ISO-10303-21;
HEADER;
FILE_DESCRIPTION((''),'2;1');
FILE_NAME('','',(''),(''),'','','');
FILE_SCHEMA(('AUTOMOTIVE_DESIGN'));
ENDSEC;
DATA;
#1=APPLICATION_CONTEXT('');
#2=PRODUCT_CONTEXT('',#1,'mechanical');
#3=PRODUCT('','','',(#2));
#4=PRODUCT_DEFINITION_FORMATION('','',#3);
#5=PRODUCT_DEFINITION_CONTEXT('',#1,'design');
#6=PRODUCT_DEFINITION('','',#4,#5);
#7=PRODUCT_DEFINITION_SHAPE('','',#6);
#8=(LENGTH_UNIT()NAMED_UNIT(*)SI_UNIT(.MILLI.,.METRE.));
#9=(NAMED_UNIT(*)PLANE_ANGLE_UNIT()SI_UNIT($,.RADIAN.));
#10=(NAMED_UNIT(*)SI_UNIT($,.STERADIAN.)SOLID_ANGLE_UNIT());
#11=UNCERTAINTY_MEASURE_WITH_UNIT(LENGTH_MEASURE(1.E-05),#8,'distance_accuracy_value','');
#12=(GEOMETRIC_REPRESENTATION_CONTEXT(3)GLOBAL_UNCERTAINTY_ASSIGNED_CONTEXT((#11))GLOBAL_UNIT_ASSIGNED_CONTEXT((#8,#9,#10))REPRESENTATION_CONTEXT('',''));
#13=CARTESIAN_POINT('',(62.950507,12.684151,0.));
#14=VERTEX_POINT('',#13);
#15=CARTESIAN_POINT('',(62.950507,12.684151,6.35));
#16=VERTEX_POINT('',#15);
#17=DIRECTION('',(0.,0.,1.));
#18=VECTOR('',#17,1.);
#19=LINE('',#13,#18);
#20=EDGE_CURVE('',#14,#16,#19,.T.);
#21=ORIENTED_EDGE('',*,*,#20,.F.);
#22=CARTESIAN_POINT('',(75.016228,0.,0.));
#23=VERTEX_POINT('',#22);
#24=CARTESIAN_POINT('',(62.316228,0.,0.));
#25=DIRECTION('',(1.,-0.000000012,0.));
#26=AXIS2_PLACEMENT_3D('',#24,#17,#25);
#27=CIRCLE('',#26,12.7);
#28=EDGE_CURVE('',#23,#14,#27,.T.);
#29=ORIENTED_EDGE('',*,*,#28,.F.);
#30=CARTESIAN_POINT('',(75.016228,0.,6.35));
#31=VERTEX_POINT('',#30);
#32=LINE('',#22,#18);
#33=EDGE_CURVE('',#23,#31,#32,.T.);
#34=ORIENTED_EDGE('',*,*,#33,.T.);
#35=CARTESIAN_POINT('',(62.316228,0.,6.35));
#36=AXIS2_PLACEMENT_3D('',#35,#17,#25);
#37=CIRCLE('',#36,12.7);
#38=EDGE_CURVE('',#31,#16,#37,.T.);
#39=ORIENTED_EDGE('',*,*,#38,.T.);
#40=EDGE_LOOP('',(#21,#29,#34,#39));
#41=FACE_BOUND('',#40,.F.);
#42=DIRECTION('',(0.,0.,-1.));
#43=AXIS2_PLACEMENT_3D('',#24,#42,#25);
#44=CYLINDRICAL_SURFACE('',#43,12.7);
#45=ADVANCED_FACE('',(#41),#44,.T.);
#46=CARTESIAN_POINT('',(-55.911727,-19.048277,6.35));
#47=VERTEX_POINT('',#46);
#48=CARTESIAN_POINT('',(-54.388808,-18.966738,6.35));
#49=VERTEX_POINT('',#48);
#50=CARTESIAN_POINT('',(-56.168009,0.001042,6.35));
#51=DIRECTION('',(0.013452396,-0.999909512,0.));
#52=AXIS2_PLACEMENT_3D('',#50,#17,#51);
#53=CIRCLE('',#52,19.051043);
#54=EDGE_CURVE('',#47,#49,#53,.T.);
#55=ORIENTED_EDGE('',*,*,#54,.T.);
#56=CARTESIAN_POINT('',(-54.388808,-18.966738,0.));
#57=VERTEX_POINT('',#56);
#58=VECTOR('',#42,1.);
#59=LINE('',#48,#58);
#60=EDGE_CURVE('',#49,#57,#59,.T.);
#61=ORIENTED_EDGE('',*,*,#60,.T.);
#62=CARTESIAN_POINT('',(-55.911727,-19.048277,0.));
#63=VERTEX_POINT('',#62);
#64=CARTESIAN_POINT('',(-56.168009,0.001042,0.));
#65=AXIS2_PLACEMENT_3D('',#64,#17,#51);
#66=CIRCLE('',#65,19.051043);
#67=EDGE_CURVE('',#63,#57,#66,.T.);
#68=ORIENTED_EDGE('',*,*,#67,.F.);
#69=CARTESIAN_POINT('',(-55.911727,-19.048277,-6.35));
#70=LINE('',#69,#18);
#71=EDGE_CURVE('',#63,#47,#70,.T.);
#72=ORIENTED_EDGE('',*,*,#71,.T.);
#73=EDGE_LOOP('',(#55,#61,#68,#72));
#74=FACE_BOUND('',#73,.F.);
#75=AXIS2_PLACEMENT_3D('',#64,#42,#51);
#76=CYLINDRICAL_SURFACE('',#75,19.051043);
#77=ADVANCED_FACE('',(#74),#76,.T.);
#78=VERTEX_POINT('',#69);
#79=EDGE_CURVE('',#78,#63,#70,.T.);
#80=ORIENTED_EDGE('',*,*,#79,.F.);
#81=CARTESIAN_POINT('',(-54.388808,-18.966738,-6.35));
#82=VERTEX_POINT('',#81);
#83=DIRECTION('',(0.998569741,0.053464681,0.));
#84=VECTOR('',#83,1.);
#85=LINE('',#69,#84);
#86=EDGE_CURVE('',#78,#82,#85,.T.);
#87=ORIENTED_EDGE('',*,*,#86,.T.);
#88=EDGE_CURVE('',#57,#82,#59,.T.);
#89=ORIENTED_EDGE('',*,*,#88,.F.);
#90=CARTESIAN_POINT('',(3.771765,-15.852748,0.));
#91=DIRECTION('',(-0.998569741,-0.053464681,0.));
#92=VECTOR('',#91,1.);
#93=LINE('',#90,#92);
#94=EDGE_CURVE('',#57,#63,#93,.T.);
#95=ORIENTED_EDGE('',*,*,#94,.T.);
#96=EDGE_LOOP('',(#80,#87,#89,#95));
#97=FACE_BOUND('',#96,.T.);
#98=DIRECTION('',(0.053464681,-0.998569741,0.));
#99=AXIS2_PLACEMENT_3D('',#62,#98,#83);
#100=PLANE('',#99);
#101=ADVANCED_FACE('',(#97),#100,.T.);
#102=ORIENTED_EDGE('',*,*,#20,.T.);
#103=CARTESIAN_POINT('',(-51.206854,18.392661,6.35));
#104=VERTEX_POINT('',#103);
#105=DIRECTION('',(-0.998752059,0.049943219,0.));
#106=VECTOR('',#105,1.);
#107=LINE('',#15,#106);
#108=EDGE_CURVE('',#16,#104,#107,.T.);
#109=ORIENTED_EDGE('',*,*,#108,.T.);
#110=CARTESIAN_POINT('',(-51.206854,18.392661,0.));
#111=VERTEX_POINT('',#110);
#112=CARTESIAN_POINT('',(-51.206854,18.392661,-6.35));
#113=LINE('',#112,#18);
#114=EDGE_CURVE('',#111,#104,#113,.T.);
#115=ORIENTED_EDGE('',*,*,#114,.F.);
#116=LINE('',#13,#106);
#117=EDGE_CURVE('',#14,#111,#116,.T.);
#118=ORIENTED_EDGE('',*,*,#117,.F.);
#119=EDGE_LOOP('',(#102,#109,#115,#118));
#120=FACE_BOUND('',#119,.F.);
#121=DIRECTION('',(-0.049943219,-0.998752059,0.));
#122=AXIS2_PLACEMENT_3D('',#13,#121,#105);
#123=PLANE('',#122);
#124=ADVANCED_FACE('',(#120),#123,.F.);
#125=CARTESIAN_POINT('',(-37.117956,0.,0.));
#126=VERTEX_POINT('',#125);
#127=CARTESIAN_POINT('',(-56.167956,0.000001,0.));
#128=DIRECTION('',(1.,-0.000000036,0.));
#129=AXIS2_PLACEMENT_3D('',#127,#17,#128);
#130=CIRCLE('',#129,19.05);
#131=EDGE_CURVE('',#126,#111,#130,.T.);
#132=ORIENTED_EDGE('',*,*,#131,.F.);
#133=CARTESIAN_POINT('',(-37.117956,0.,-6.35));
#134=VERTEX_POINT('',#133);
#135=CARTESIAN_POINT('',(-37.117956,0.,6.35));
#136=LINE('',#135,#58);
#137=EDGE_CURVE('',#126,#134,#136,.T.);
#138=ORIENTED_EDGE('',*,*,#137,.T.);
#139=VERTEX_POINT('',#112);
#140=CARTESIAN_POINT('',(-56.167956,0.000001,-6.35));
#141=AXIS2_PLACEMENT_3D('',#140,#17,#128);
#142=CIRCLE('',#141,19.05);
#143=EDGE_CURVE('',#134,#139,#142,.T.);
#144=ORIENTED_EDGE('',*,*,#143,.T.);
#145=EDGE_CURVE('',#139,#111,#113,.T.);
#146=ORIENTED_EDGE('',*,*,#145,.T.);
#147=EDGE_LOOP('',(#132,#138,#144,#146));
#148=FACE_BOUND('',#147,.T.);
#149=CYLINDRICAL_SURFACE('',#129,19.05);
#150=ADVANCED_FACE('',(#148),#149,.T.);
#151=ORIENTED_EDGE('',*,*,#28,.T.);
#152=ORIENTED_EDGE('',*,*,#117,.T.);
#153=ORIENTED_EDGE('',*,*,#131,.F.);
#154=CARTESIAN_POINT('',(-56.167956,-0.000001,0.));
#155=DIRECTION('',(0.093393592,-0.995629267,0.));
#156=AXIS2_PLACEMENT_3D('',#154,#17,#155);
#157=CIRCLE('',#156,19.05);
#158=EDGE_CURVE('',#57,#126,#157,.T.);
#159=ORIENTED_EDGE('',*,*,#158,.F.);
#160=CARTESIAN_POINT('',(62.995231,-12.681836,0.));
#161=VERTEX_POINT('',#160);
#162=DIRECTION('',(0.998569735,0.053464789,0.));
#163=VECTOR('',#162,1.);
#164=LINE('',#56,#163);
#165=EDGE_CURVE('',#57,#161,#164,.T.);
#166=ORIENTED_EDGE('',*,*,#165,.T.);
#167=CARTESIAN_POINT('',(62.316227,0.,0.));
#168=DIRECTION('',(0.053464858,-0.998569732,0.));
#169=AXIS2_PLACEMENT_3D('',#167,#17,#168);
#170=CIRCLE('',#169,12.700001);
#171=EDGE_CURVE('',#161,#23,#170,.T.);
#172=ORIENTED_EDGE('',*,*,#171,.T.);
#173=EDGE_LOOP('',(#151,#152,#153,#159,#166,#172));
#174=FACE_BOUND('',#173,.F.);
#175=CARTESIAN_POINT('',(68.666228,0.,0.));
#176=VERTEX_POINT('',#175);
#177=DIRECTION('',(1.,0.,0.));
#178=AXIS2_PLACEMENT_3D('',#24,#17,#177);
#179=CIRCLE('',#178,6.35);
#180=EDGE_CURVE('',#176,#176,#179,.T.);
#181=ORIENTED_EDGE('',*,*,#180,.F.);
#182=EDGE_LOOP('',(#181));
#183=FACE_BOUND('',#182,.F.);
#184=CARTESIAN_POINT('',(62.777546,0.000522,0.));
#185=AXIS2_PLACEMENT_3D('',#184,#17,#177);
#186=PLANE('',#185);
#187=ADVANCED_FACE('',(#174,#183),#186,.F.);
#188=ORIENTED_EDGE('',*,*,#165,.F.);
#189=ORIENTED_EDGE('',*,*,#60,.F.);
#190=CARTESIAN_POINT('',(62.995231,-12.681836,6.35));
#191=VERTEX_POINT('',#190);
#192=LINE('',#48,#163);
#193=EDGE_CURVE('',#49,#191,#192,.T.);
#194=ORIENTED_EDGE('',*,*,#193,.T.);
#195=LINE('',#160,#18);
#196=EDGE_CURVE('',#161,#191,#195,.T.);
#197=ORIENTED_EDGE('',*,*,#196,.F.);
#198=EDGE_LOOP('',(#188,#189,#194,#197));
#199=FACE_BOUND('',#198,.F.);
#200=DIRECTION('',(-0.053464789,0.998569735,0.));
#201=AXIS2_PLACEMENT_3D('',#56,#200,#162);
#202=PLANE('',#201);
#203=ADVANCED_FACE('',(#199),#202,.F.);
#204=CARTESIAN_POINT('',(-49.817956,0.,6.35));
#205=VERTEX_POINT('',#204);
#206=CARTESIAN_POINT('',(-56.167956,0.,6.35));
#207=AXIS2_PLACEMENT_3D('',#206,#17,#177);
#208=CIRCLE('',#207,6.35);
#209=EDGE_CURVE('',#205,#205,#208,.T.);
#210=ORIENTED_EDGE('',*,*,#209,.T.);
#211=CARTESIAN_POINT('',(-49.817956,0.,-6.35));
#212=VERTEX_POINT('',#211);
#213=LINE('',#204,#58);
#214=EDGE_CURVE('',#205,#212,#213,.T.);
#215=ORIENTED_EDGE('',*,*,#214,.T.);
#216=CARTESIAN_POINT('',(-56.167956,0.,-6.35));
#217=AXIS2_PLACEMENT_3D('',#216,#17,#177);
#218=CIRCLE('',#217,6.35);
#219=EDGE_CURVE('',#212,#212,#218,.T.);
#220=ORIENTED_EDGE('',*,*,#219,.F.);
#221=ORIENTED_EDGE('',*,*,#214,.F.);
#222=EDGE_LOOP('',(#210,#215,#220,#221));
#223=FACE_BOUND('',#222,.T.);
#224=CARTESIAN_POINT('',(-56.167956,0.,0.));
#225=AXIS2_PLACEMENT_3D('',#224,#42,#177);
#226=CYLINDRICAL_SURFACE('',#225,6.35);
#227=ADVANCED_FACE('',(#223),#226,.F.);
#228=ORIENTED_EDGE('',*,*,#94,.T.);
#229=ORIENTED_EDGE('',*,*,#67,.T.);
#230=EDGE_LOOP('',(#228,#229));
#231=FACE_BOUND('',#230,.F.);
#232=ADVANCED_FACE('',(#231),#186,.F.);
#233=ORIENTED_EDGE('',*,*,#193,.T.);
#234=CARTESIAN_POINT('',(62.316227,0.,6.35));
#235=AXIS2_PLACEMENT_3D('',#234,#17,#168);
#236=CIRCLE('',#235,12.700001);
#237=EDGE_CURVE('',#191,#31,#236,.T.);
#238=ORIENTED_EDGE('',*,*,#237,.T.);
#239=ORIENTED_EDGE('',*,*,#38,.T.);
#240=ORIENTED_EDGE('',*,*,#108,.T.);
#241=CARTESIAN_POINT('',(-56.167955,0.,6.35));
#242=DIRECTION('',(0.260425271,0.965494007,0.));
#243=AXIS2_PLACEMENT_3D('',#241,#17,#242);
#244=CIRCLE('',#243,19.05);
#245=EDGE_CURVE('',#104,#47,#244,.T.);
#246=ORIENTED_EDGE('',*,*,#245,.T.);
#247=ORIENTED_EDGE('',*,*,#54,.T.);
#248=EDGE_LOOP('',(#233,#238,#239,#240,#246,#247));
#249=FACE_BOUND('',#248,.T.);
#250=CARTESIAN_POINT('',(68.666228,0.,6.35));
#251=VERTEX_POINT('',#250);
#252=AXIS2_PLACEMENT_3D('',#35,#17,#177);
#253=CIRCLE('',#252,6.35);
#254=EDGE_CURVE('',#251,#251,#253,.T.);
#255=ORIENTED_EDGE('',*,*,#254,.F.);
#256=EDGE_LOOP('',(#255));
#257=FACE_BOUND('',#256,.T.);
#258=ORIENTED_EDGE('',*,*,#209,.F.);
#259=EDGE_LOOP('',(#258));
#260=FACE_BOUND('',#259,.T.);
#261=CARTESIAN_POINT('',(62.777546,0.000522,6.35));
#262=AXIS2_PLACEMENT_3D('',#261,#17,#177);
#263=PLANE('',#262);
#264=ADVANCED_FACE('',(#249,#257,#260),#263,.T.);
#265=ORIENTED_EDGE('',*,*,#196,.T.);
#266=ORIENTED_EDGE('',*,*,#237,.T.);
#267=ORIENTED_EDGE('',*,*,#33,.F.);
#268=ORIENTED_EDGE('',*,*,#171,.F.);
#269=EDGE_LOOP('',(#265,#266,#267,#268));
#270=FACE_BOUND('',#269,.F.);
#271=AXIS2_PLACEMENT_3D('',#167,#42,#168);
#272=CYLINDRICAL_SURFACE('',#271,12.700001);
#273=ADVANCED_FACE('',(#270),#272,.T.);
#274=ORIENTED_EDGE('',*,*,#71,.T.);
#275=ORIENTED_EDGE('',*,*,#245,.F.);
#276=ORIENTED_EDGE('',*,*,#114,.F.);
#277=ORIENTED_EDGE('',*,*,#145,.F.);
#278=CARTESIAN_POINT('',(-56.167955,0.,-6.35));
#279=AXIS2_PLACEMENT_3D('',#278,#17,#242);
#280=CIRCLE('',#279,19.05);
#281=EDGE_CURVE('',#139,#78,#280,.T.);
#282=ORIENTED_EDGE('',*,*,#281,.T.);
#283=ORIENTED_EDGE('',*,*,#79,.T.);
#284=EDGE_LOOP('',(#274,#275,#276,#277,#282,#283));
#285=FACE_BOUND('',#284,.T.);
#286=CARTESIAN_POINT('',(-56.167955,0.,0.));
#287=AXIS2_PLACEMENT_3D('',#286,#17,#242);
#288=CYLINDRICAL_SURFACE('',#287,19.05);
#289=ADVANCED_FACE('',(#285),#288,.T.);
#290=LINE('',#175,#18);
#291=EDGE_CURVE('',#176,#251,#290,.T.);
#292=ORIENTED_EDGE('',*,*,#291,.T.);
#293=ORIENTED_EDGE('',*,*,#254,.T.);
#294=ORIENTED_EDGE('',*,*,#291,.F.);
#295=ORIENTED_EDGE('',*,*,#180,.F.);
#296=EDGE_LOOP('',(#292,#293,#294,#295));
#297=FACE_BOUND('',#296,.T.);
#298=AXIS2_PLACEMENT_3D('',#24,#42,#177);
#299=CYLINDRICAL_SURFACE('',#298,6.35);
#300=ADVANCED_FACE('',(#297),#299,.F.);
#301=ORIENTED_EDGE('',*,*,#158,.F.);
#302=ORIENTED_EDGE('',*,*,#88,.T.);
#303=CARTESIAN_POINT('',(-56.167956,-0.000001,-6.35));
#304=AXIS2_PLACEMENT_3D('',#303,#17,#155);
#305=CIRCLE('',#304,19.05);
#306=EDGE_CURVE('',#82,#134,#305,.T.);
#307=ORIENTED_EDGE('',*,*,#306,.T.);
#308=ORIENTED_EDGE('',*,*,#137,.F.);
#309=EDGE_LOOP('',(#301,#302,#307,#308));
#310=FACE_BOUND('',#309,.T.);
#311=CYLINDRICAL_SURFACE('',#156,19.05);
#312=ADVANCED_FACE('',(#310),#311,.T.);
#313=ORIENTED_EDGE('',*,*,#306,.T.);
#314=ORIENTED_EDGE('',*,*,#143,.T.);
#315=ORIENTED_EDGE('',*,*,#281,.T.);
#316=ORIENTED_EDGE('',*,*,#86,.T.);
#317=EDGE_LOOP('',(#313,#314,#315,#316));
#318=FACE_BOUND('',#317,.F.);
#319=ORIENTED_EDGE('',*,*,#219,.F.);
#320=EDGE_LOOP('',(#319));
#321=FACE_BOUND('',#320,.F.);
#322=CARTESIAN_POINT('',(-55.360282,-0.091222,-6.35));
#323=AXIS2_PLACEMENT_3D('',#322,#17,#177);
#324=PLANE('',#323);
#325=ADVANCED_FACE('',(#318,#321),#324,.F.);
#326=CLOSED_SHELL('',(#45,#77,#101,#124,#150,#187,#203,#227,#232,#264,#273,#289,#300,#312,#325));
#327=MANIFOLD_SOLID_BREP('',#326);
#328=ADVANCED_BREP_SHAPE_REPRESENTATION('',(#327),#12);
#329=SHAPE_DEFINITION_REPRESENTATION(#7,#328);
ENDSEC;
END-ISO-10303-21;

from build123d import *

# Parameters (mm, degrees)
F0_R     = 6.35
F1_DEPTH = 6.35
F2_DEPTH = 6.35


with BuildPart() as f1:
    # F0 (on Top) → F1 (new body, symmetric)
    with BuildSketch(Plane.XY):
        with BuildLine():
            ThreePointArc((-37.117956, 0), (-41.044935, 11.584332), (-51.206854, 18.392661))
            ThreePointArc((-51.206854, 18.392661), (-75.069307, 2.375167), (-55.911727, -19.048277))
            Line((-55.911727, -19.048277), (-54.388808, -18.966738))
            ThreePointArc((-54.388808, -18.966738), (-42.082586, -12.825945), (-37.117956, 0))
        make_face()
        with Locations((-56.167956, 0)):
            Circle(F0_R, mode=Mode.SUBTRACT)
    extrude(amount=F1_DEPTH, both=True)

    # F0 (on Top) → F2 (join, through all)
    with BuildSketch(Plane.XY):
        with BuildLine():
            ThreePointArc((62.995231, -12.681836), (71.533422, -8.736895), (75.016228, 0))
            ThreePointArc((75.016228, 0), (71.518003, 8.753133), (62.950507, 12.684151))
            ThreePointArc((62.950507, 12.684151), (49.616247, -0.022392), (62.995231, -12.681836))
        make_face()
        with Locations((62.316228, 0)):
            Circle(F0_R, mode=Mode.SUBTRACT)
        with BuildLine():
            ThreePointArc((62.995231, -12.681836), (49.616247, -0.022392), (62.950507, 12.684151))
            Line((62.950507, 12.684151), (-51.206854, 18.392661))
            ThreePointArc((-51.206854, 18.392661), (-41.044935, 11.584332), (-37.117956, 0))
            ThreePointArc((-37.117956, 0), (-42.082586, -12.825945), (-54.388808, -18.966738))
            Line((-54.388808, -18.966738), (62.995231, -12.681836))
        make_face()
        with BuildLine():
            ThreePointArc((-37.117956, 0), (-41.044935, 11.584332), (-51.206854, 18.392661))
            ThreePointArc((-51.206854, 18.392661), (-75.069307, 2.375167), (-55.911727, -19.048277))
            Line((-55.911727, -19.048277), (-54.388808, -18.966738))
            ThreePointArc((-54.388808, -18.966738), (-42.082586, -12.825945), (-37.117956, 0))
        make_face()
        with Locations((-56.167956, 0)):
            Circle(F0_R, mode=Mode.SUBTRACT)
        with BuildLine():
            ThreePointArc((-55.911727, -19.048277), (-55.149452, -19.022753), (-54.388808, -18.966738))
            Line((-54.388808, -18.966738), (-55.911727, -19.048277))
        make_face()
    extrude(amount=F2_DEPTH)


solid = f1.part
